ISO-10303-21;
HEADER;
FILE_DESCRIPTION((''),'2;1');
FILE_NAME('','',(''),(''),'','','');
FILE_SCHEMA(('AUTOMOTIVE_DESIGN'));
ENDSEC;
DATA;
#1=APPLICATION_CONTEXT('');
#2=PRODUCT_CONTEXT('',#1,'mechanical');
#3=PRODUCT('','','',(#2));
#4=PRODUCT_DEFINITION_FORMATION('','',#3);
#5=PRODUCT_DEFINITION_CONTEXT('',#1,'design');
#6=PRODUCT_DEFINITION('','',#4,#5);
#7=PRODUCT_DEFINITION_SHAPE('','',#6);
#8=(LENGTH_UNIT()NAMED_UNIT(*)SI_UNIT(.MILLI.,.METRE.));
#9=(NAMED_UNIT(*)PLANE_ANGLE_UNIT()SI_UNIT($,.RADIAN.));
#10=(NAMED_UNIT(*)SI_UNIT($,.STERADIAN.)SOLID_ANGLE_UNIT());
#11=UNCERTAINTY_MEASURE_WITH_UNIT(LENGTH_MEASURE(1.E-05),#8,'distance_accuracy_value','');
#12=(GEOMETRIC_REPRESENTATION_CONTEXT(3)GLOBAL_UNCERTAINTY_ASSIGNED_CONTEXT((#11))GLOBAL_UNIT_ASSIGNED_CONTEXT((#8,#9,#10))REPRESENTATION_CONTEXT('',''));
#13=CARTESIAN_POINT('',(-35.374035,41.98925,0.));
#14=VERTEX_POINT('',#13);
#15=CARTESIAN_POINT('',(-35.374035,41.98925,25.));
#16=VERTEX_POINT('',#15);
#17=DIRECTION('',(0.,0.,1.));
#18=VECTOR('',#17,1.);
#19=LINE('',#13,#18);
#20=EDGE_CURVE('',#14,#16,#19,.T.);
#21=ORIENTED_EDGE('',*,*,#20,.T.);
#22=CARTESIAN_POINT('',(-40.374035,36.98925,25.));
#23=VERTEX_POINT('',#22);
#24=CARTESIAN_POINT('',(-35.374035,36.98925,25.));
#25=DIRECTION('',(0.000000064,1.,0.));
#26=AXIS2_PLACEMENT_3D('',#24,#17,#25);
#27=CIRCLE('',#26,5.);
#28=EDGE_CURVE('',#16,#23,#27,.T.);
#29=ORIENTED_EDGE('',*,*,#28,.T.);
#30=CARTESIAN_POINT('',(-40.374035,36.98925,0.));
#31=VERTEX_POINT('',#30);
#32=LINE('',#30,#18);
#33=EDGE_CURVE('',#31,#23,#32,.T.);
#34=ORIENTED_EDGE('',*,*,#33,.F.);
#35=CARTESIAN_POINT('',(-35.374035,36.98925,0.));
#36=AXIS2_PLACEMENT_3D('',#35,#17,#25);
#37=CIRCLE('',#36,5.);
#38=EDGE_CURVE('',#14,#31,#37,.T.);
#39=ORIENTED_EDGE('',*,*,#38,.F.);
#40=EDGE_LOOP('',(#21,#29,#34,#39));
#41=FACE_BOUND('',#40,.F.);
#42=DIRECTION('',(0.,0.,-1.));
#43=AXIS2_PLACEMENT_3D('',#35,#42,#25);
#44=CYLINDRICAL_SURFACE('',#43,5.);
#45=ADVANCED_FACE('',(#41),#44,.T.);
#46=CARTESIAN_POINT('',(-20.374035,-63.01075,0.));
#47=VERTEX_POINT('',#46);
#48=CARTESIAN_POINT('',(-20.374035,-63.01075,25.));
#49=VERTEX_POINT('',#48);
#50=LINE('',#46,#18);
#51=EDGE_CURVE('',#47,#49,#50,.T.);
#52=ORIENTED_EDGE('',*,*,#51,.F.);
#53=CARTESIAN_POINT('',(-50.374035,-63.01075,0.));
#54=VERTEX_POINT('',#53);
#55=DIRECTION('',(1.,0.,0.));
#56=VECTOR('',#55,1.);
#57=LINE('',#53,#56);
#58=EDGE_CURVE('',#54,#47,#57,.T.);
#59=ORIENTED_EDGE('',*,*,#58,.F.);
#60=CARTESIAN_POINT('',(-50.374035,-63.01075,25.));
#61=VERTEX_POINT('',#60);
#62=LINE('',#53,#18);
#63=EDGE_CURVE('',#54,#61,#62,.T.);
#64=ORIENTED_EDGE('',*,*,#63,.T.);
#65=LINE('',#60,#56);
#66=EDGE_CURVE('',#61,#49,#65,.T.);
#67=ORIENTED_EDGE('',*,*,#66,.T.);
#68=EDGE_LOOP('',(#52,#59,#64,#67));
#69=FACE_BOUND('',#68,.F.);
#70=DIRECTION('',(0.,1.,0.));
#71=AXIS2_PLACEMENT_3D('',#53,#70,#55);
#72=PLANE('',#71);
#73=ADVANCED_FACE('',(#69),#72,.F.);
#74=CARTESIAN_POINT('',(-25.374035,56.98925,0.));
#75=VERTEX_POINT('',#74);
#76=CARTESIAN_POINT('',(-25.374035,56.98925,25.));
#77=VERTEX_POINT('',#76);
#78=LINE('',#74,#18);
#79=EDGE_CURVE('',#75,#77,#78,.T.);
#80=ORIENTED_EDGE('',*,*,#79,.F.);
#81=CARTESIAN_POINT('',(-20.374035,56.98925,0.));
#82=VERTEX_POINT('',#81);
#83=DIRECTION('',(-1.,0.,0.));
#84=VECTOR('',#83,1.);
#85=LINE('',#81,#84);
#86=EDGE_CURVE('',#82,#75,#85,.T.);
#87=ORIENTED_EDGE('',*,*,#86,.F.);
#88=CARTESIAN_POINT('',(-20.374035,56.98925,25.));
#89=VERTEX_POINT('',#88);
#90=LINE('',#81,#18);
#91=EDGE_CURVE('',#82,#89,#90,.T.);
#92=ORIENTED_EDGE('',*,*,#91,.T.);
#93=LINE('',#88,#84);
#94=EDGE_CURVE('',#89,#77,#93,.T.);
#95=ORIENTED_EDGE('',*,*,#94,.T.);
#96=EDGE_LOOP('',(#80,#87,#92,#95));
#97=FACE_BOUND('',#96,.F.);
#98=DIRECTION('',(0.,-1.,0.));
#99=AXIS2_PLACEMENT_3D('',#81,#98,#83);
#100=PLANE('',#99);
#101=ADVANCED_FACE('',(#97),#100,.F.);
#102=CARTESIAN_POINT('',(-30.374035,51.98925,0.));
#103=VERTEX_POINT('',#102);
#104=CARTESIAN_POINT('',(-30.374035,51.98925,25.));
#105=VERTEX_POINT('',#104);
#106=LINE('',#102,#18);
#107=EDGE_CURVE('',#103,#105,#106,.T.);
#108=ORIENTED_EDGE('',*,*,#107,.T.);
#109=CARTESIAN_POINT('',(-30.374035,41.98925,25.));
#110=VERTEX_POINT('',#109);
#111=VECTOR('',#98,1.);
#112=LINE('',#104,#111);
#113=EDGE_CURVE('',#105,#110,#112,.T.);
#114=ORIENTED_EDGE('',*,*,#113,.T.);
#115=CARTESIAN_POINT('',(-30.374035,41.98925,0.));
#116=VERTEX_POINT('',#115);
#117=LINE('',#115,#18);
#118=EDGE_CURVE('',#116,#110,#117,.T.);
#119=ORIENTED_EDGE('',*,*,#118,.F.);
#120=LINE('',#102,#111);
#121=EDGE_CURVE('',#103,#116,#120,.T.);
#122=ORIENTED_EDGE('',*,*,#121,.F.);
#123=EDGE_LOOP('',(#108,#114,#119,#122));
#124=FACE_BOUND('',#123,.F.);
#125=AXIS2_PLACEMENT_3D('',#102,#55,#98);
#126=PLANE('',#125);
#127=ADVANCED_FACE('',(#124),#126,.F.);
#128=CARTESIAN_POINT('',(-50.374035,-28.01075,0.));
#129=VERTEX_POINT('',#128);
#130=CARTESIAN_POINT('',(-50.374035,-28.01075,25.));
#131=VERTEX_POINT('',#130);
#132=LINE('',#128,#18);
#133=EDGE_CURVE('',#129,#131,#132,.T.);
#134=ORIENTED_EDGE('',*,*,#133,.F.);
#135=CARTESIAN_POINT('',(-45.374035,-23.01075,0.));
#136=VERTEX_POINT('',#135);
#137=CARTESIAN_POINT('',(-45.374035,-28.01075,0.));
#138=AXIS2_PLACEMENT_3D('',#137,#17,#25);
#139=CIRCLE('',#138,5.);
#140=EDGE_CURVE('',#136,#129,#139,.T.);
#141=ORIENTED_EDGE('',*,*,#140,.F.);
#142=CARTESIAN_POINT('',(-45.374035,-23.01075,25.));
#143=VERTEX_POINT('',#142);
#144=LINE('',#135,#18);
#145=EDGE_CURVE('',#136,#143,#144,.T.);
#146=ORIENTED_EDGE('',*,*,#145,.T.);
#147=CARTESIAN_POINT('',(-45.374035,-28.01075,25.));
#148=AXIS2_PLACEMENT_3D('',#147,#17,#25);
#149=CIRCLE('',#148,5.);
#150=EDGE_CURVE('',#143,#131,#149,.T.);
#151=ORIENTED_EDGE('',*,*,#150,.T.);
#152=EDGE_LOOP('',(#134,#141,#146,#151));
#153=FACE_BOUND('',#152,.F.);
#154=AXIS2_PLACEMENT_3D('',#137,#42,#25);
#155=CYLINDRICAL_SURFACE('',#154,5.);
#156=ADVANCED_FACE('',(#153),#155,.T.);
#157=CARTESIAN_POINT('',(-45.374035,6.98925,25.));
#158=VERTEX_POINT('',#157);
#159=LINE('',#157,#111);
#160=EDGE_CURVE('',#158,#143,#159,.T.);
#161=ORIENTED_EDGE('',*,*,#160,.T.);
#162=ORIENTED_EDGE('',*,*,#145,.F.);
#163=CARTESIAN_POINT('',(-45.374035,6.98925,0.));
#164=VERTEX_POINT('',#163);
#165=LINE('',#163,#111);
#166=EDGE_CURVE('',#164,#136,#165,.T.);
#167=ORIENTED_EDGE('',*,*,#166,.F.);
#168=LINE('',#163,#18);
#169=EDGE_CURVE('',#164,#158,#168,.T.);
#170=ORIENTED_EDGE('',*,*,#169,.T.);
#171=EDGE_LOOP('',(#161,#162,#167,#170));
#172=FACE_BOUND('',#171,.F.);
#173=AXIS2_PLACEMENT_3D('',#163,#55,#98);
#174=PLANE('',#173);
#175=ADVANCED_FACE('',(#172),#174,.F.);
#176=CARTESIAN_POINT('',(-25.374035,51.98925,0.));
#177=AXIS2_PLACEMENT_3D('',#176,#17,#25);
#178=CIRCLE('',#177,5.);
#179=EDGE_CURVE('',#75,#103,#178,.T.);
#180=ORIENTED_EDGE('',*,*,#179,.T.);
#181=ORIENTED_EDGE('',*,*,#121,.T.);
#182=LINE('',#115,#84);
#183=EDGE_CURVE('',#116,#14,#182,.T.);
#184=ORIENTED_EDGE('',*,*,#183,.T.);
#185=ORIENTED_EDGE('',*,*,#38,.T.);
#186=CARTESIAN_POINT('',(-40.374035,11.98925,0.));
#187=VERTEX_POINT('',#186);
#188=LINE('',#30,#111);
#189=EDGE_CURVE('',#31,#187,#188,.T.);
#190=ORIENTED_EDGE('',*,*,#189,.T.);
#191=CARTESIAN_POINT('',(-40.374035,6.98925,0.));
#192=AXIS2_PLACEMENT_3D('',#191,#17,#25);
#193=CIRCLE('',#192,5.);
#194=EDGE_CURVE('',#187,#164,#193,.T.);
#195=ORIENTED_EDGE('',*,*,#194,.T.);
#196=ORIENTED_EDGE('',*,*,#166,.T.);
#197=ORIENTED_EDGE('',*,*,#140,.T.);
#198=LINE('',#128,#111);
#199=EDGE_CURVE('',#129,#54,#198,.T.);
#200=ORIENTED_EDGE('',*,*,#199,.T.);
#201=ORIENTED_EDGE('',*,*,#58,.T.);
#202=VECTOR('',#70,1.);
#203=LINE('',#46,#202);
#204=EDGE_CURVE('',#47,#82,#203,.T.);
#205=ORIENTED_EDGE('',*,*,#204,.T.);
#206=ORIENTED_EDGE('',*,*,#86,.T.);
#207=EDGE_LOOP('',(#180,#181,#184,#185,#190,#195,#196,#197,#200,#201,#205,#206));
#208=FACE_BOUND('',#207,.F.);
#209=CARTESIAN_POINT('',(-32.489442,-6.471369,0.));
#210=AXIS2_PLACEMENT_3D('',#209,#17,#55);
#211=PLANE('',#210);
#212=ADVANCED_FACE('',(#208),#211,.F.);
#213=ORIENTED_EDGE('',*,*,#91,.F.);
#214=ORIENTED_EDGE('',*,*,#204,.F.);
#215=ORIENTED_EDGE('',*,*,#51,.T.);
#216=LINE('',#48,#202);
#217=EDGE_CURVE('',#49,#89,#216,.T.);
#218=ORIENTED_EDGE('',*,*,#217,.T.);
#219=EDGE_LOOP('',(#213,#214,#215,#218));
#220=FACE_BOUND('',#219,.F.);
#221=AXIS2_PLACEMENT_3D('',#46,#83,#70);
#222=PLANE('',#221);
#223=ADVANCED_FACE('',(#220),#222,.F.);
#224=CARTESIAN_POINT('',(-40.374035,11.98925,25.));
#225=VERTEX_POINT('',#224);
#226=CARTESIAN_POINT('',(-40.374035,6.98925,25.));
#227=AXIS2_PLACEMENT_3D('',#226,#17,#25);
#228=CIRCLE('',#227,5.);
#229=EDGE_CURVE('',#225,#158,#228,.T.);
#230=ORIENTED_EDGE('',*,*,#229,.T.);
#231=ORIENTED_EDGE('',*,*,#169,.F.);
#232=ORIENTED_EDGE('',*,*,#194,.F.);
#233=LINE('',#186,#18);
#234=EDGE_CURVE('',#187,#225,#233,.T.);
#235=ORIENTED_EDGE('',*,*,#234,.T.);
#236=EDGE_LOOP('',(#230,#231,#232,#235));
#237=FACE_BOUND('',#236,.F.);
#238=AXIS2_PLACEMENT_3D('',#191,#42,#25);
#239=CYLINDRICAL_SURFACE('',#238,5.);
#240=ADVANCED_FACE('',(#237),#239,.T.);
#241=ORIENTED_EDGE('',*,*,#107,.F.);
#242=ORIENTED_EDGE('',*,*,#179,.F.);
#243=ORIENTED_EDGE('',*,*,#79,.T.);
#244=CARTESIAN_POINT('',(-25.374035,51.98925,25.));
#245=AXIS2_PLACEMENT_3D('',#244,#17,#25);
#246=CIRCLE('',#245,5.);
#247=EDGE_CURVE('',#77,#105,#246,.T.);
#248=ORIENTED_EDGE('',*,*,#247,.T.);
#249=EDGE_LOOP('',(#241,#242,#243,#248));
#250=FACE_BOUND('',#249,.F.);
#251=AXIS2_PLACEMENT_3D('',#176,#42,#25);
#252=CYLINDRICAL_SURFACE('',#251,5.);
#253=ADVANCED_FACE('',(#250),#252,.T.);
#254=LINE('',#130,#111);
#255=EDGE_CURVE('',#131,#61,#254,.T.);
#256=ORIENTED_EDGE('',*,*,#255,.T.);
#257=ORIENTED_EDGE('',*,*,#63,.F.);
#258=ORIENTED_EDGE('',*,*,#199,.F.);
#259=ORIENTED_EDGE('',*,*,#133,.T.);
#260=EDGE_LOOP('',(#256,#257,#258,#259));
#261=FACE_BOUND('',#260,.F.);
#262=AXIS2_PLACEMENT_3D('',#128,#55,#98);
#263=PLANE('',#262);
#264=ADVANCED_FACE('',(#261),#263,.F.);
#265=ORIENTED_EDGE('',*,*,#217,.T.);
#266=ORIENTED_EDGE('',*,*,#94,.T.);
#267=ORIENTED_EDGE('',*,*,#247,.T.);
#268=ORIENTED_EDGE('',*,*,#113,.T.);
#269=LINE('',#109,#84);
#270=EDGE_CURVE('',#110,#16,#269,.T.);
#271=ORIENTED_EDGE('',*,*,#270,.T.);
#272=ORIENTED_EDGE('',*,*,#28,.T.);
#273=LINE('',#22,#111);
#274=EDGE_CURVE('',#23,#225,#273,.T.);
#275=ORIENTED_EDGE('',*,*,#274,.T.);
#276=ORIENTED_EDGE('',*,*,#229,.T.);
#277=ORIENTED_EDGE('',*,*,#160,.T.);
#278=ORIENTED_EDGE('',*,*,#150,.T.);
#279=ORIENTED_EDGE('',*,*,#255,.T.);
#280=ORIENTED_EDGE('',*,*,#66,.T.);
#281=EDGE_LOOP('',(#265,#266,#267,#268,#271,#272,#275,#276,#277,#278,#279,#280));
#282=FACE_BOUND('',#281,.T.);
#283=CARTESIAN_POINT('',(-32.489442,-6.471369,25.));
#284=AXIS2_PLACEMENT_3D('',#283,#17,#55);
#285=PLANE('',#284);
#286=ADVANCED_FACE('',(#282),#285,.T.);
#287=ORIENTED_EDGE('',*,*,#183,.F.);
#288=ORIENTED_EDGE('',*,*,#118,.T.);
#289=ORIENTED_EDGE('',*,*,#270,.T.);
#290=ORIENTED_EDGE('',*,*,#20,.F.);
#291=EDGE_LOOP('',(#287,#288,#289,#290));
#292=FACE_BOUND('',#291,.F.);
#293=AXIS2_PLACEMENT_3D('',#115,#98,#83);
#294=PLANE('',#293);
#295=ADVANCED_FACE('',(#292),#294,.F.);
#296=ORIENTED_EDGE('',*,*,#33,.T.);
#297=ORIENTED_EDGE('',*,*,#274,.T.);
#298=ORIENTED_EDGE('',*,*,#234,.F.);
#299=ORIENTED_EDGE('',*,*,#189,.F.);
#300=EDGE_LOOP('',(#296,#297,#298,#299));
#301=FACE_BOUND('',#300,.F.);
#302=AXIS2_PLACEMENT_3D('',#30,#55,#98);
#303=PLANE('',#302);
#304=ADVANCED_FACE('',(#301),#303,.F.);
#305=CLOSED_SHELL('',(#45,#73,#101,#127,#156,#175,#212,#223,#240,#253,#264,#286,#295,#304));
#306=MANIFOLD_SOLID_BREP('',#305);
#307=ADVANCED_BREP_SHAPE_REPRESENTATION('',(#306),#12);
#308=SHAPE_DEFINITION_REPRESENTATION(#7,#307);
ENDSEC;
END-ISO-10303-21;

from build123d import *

# Parameters (mm, degrees)
F1_DEPTH = 25


with BuildPart() as f1:
    # F0 (on Top) → F1 (new body)
    with BuildSketch(Plane.XY):
        with BuildLine():
            Line((-20.374035, -63.01075), (-20.374035, 56.98925))
            Line((-20.374035, 56.98925), (-25.374035, 56.98925))
            ThreePointArc((-25.374035, 56.98925), (-28.909569, 55.524784), (-30.374035, 51.98925))
            Line((-30.374035, 51.98925), (-30.374035, 41.98925))
            Line((-30.374035, 41.98925), (-35.374035, 41.98925))
            ThreePointArc((-35.374035, 41.98925), (-38.909569, 40.524784), (-40.374035, 36.98925))
            Line((-40.374035, 36.98925), (-40.374035, 11.98925))
            ThreePointArc((-40.374035, 11.98925), (-43.909569, 10.524784), (-45.374035, 6.98925))
            Line((-45.374035, 6.98925), (-45.374035, -23.01075))
            ThreePointArc((-45.374035, -23.01075), (-48.909569, -24.475216), (-50.374035, -28.01075))
            Line((-50.374035, -28.01075), (-50.374035, -63.01075))
            Line((-50.374035, -63.01075), (-20.374035, -63.01075))
        make_face()
    extrude(amount=F1_DEPTH)


solid = f1.part
